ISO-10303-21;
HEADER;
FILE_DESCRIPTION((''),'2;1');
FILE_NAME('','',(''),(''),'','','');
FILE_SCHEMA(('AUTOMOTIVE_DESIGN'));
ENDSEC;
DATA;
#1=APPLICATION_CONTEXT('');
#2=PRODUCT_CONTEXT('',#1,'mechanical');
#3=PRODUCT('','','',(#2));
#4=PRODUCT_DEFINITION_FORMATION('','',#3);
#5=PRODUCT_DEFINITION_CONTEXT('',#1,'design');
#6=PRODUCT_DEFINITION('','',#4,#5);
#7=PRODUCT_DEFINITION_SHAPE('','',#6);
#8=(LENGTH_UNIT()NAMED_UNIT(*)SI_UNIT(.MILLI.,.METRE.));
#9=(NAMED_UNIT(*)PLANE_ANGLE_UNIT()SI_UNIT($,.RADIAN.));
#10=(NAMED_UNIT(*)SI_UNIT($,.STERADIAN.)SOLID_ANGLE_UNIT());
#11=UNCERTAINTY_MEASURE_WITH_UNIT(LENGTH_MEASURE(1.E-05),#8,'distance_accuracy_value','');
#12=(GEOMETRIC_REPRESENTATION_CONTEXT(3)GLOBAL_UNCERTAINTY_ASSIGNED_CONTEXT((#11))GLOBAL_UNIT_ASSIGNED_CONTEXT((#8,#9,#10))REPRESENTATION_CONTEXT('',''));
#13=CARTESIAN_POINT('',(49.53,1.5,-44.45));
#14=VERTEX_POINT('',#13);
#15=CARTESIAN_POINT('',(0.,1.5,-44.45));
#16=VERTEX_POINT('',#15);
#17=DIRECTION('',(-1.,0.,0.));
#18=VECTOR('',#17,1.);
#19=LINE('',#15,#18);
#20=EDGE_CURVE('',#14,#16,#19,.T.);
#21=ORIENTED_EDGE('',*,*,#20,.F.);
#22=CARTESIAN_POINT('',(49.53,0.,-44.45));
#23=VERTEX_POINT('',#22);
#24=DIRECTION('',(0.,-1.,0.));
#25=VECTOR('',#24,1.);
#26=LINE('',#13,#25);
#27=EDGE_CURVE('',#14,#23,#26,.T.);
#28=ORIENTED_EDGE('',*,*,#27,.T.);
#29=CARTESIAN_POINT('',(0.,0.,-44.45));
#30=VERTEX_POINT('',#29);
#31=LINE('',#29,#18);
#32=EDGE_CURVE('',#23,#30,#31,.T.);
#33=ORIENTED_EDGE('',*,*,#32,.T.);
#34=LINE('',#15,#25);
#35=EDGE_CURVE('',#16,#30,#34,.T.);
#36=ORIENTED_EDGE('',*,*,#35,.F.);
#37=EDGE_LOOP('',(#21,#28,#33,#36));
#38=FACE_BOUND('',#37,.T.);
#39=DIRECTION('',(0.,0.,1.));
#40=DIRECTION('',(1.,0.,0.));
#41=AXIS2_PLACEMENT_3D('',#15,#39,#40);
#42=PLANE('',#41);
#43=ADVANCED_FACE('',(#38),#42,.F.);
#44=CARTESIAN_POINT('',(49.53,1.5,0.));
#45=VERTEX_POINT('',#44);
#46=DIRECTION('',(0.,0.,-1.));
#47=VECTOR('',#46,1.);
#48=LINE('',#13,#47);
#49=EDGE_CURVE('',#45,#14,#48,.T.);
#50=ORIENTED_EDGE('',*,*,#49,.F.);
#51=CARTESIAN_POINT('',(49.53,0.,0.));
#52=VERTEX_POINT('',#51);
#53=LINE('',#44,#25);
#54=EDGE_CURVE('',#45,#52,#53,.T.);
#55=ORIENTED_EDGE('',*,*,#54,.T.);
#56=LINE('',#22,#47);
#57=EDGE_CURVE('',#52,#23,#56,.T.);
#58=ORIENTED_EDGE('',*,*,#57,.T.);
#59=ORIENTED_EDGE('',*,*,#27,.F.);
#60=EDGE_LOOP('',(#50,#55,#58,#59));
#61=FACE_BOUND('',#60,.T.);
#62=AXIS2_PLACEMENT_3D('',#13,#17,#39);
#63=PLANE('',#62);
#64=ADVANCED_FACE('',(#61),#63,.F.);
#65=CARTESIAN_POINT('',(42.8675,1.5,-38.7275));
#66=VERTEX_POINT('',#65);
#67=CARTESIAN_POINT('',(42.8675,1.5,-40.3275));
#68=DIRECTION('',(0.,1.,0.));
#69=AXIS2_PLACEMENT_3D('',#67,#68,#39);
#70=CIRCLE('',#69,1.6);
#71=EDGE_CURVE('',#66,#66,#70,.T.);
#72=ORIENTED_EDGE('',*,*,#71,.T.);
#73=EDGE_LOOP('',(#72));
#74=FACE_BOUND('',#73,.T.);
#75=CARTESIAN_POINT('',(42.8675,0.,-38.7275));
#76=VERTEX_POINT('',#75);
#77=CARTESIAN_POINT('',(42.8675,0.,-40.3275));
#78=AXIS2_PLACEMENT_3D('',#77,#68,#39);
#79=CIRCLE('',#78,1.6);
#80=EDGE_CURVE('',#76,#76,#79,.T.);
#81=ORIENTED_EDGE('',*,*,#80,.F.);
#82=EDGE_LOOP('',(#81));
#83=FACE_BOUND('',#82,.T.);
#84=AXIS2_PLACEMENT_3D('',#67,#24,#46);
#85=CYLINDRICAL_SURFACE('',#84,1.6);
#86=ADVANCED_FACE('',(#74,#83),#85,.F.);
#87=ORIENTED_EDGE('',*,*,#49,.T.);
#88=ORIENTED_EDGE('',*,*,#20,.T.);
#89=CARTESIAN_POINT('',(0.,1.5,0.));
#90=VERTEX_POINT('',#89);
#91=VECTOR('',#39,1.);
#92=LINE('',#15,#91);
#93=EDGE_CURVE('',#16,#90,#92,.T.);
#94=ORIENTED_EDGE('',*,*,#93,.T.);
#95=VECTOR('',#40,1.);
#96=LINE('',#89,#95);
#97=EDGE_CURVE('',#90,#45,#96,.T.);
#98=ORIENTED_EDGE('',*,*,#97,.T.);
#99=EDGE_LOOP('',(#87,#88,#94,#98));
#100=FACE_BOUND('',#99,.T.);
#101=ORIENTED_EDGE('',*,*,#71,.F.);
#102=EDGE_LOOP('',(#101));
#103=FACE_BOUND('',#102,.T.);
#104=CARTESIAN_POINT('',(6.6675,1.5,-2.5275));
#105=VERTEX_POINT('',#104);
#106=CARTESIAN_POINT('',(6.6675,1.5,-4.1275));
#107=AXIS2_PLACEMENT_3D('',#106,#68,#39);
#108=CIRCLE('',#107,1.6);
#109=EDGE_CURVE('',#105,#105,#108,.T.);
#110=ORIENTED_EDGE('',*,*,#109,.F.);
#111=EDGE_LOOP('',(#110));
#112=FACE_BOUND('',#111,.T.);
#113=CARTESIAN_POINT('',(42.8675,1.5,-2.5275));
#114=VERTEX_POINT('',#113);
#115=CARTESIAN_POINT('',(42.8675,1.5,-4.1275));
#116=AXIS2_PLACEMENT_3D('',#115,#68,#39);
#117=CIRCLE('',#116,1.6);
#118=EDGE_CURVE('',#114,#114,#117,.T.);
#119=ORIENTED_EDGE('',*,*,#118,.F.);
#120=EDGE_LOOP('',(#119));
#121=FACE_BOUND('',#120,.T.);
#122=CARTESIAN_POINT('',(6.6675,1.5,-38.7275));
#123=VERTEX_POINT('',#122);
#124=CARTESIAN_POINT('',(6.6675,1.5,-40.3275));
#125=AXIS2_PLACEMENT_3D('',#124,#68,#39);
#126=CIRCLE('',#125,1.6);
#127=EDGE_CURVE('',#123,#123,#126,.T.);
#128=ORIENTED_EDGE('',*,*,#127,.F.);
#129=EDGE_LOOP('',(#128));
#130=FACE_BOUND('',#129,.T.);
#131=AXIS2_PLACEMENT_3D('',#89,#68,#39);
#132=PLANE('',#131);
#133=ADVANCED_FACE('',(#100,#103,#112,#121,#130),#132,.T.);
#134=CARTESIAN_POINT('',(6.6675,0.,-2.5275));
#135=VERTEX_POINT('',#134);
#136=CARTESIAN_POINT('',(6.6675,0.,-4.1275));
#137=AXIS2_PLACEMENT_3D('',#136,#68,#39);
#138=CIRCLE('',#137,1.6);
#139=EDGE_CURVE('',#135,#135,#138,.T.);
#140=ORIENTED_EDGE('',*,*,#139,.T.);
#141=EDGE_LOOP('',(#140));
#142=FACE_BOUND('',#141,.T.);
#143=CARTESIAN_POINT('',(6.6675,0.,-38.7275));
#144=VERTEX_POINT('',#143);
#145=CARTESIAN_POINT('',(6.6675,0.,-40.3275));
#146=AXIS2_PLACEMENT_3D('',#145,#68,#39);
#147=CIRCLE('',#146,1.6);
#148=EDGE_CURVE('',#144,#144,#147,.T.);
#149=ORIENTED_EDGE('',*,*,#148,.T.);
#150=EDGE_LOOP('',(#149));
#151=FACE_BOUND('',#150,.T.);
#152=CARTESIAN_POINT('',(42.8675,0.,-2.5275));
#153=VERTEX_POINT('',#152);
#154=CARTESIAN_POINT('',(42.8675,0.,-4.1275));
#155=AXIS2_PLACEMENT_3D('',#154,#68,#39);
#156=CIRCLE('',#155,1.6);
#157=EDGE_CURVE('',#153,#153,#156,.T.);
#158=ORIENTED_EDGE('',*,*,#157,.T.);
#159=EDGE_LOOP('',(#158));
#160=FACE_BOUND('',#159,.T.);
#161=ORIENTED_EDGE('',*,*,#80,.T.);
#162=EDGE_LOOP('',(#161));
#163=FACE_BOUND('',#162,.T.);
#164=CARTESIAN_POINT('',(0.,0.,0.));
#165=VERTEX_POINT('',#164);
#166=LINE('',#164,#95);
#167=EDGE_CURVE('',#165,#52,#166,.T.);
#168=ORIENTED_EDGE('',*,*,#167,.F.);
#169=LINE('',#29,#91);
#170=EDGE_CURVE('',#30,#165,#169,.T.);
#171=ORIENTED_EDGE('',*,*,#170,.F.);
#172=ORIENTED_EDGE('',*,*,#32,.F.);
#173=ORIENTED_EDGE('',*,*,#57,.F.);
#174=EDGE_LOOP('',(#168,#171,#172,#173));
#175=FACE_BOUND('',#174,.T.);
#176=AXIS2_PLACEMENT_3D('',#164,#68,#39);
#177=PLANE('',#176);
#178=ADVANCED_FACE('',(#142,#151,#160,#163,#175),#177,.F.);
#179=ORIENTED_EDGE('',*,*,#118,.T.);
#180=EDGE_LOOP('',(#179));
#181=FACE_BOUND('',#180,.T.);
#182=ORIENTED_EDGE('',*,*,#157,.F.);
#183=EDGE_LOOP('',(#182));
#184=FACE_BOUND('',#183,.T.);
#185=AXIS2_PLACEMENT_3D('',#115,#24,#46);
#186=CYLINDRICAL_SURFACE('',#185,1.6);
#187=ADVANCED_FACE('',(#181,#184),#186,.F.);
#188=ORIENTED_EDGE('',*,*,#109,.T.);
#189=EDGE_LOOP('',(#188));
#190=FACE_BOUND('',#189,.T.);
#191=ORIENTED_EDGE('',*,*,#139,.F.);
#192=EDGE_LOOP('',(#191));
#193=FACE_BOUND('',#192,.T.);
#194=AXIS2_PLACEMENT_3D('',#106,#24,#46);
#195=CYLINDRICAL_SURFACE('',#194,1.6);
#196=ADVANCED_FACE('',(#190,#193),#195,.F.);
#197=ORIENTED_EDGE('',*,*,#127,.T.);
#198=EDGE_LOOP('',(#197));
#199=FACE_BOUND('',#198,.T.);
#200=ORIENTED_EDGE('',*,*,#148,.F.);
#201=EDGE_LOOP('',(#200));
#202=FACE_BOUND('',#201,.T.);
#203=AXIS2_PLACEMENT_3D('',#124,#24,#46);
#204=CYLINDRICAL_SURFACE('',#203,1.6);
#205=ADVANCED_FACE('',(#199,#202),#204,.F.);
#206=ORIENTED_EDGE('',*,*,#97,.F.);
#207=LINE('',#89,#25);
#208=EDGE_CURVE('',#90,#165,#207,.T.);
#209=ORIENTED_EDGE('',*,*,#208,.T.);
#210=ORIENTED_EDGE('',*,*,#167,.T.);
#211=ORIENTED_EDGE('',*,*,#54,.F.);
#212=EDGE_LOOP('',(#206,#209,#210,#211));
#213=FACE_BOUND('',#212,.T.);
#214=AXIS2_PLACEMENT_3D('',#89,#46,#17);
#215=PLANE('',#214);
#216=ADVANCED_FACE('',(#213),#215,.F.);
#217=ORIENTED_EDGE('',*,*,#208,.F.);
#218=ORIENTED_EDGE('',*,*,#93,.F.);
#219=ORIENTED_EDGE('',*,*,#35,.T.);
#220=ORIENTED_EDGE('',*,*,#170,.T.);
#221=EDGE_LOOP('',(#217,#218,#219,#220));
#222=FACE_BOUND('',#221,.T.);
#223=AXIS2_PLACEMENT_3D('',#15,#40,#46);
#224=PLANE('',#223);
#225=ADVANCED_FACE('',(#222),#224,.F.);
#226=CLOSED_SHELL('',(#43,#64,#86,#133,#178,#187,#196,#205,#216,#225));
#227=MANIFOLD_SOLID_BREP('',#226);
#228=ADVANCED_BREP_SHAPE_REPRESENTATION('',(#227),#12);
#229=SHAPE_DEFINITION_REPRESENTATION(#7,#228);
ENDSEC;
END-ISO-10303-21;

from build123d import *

# Parameters (mm, degrees)
SKETCH1_W           = 49.53
SKETCH1_H           = 44.45
SKETCH1_R           = 1.6
BOSS_EXTRUDE1_DEPTH = 1.5


with BuildPart() as part:
    # Sketch1 → Boss-Extrude1 (new body)
    with BuildSketch(Plane(origin=(0, 0, 0), x_dir=(1, 0, 0), z_dir=(0, 1, 0))):
        with Locations((24.765, 22.225)):
            Rectangle(SKETCH1_W, SKETCH1_H)
        with Locations(Location((6.6675, 4.1275, 0), (0, 0, 270))):
            Circle(SKETCH1_R, mode=Mode.SUBTRACT)
        with Locations(Location((42.8675, 4.1275, 0), (0, 0, 270))):
            Circle(SKETCH1_R, mode=Mode.SUBTRACT)
        with Locations(Location((42.8675, 40.3275, 0), (0, 0, 270))):
            Circle(SKETCH1_R, mode=Mode.SUBTRACT)
        with Locations(Location((6.6675, 40.3275, 0), (0, 0, 270))):
            Circle(SKETCH1_R, mode=Mode.SUBTRACT)
    extrude(amount=BOSS_EXTRUDE1_DEPTH)


solid = part.part
